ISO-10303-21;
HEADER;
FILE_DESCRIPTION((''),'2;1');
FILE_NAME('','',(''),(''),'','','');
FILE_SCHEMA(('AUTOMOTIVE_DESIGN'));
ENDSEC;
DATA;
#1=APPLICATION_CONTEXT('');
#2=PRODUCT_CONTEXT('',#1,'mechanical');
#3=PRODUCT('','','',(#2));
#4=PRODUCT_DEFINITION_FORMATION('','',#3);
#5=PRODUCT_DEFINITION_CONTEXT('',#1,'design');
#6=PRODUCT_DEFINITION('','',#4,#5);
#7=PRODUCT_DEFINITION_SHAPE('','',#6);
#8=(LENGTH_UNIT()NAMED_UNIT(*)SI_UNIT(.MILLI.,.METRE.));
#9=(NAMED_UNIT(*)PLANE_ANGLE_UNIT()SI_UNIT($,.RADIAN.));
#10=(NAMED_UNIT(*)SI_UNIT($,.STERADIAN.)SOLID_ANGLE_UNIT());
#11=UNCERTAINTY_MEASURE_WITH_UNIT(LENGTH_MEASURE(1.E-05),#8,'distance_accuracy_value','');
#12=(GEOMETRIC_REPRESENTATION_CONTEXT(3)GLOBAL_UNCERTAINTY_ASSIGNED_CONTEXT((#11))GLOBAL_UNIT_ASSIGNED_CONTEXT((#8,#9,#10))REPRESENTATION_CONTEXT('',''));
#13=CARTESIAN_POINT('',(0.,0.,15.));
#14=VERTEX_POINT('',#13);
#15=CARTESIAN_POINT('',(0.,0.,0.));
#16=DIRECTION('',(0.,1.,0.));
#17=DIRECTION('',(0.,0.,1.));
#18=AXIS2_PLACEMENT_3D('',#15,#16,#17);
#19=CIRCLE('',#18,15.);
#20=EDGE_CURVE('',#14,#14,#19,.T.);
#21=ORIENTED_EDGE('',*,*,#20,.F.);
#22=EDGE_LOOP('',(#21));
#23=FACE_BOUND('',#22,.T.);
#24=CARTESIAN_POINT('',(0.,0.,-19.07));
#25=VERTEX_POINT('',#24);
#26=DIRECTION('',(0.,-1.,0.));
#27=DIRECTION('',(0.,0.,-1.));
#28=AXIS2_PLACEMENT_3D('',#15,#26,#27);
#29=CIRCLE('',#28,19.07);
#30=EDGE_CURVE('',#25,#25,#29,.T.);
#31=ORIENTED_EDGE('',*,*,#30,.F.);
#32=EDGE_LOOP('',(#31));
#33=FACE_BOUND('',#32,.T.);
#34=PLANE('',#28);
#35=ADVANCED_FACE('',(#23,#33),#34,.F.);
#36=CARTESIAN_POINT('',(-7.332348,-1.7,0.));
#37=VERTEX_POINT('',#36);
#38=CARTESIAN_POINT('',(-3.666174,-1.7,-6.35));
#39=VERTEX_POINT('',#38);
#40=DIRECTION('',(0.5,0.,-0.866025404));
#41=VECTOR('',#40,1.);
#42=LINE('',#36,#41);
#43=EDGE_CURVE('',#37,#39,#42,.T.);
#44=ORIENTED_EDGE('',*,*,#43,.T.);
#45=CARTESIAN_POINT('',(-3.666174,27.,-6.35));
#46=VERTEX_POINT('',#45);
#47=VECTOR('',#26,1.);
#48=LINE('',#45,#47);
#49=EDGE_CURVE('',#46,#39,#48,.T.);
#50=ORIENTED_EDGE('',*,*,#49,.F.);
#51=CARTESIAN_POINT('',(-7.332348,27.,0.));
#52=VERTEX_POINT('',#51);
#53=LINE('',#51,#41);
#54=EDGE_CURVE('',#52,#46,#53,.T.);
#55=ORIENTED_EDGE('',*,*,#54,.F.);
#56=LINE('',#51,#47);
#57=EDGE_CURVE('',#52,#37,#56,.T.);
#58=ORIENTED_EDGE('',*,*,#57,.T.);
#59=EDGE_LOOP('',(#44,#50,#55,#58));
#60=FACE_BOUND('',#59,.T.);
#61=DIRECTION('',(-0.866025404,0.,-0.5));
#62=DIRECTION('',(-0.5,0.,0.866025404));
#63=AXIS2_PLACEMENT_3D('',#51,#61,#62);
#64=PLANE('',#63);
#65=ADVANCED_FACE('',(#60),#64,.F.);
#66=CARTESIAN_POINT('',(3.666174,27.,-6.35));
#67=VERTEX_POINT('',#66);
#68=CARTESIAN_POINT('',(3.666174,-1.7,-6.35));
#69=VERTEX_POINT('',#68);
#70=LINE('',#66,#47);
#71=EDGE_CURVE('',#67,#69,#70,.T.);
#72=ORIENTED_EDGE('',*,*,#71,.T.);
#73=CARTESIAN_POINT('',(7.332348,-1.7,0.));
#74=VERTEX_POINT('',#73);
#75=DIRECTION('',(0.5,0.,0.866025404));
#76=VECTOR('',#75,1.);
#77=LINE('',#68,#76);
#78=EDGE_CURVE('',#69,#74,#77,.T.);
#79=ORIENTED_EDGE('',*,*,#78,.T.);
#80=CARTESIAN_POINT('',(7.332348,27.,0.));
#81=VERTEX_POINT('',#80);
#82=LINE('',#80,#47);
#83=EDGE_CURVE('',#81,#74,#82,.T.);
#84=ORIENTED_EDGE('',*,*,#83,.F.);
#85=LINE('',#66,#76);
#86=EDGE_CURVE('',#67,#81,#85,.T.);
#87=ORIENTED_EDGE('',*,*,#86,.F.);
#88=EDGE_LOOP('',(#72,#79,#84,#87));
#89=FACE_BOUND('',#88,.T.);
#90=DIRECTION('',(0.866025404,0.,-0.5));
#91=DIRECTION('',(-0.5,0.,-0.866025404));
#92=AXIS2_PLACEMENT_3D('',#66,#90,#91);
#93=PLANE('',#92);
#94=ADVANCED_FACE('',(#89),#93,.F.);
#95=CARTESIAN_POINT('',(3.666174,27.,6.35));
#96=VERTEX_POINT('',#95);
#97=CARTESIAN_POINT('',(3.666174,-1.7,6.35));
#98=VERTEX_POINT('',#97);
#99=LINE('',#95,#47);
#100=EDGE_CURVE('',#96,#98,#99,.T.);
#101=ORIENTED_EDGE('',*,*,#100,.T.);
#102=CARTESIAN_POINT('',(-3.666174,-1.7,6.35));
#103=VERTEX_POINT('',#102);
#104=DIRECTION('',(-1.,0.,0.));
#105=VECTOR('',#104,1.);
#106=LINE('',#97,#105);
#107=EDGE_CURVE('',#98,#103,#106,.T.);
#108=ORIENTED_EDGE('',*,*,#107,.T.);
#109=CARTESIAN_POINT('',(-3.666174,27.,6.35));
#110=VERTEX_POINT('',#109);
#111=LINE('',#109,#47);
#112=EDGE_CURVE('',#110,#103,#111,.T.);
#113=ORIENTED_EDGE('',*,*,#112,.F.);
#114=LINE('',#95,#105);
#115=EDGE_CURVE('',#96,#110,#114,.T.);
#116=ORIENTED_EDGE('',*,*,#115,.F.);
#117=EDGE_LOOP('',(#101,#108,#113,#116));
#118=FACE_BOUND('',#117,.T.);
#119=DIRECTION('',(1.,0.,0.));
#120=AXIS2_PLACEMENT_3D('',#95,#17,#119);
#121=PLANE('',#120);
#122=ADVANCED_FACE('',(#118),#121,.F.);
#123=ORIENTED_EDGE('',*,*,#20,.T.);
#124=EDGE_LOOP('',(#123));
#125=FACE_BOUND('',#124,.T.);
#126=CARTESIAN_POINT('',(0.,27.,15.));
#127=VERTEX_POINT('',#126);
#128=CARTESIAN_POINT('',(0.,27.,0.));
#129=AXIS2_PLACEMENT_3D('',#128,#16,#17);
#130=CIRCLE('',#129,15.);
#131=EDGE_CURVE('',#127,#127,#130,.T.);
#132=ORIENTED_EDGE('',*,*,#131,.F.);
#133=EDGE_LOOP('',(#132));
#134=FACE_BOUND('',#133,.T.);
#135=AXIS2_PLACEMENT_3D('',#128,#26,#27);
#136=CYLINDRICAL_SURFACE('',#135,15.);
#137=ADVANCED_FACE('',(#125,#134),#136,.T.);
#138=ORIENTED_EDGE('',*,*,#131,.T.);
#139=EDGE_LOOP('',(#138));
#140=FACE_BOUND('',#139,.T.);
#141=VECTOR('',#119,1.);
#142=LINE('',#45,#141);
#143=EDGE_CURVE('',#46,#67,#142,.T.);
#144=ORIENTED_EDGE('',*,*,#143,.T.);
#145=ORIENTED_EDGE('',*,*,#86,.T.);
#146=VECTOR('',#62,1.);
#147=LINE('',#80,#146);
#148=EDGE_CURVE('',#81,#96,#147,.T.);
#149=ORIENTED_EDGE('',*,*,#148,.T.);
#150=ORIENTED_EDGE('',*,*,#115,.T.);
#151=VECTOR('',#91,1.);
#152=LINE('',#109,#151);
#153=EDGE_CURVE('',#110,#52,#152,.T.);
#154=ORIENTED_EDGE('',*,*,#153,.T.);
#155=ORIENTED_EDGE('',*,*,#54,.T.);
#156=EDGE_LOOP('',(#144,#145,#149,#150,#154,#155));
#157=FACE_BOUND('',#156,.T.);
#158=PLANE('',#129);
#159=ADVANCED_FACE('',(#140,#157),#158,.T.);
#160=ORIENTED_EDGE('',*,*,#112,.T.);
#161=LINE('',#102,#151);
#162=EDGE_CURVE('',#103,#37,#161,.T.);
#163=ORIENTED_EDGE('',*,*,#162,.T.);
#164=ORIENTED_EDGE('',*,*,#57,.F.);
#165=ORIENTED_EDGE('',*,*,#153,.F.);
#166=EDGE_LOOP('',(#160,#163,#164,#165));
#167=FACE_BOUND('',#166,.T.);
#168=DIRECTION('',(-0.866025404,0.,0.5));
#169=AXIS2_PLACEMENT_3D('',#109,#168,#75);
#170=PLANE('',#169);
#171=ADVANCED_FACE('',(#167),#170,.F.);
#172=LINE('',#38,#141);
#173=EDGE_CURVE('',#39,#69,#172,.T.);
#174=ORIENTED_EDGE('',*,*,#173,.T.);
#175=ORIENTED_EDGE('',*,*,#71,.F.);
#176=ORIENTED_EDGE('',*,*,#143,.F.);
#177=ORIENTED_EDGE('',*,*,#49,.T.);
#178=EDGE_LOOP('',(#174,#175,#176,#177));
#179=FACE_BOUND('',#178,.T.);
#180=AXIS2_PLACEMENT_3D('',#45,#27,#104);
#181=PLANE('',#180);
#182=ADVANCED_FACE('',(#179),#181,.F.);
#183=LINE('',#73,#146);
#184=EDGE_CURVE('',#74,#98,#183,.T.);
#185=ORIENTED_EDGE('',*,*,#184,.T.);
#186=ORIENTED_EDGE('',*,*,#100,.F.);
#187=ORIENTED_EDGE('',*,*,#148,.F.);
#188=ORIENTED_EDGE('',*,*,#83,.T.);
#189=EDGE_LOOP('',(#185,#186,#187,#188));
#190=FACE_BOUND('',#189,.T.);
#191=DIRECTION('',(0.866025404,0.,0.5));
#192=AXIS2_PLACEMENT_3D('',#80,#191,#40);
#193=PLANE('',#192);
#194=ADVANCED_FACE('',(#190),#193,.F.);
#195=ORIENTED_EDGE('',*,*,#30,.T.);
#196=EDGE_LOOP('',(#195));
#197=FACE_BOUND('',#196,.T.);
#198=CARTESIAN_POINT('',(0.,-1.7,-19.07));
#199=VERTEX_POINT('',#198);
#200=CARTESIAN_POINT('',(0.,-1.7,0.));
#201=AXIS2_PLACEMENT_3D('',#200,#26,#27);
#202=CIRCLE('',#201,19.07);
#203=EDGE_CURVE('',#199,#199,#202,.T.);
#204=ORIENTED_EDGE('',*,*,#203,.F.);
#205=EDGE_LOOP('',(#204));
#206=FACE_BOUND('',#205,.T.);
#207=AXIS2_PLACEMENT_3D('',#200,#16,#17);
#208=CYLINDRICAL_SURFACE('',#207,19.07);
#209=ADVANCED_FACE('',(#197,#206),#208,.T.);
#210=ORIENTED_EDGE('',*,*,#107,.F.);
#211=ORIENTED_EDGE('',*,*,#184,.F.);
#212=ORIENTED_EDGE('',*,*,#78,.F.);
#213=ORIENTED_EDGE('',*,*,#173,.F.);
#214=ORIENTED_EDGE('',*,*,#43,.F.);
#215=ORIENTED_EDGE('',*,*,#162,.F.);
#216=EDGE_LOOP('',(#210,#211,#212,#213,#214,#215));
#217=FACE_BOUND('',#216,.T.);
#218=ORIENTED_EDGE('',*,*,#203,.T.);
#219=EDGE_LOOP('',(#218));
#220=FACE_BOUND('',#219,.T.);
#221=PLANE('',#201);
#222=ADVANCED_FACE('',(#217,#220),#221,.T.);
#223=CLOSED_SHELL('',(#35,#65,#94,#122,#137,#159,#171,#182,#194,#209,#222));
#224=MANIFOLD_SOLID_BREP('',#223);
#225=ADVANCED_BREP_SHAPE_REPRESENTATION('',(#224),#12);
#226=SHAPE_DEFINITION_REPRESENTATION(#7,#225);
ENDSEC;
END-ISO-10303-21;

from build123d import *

# Parameters (mm, degrees)
SKETCH1_R           = 15
BOSS_EXTRUDE1_DEPTH = 27
SKETCH2_R           = 19.07
BOSS_EXTRUDE2_DEPTH = 1.7
CUT_EXTRUDE1_DEPTH  = 40.382988713


with BuildPart() as part:
    # Sketch1 → Boss-Extrude1 (new body)
    with BuildSketch(Plane(origin=(0, 0, 0), x_dir=(1, 0, 0), z_dir=(0, 1, 0))):
        with Locations(Location((0, 0, 0), (0, 0, 270))):
            Circle(SKETCH1_R)
    extrude(amount=BOSS_EXTRUDE1_DEPTH)

    # Sketch2 → Boss-Extrude2 (add)
    with BuildSketch(Plane.XZ):
        with Locations(Location((0, 0, 0), (0, 0, 270))):
            Circle(SKETCH2_R)
    extrude(amount=BOSS_EXTRUDE2_DEPTH)

    # Sketch3 → Cut-Extrude1 (cut, through all)
    with BuildSketch(Plane.XZ.offset(1.7)):
        Polygon((-3.666174209, 6.35), (-7.332348419, 0), (-3.666174209, -6.35), (3.666174209, -6.35), (7.332348419, 0), (3.666174209, 6.35), align=None)
    extrude(amount=-CUT_EXTRUDE1_DEPTH, mode=Mode.SUBTRACT)


solid = part.part
